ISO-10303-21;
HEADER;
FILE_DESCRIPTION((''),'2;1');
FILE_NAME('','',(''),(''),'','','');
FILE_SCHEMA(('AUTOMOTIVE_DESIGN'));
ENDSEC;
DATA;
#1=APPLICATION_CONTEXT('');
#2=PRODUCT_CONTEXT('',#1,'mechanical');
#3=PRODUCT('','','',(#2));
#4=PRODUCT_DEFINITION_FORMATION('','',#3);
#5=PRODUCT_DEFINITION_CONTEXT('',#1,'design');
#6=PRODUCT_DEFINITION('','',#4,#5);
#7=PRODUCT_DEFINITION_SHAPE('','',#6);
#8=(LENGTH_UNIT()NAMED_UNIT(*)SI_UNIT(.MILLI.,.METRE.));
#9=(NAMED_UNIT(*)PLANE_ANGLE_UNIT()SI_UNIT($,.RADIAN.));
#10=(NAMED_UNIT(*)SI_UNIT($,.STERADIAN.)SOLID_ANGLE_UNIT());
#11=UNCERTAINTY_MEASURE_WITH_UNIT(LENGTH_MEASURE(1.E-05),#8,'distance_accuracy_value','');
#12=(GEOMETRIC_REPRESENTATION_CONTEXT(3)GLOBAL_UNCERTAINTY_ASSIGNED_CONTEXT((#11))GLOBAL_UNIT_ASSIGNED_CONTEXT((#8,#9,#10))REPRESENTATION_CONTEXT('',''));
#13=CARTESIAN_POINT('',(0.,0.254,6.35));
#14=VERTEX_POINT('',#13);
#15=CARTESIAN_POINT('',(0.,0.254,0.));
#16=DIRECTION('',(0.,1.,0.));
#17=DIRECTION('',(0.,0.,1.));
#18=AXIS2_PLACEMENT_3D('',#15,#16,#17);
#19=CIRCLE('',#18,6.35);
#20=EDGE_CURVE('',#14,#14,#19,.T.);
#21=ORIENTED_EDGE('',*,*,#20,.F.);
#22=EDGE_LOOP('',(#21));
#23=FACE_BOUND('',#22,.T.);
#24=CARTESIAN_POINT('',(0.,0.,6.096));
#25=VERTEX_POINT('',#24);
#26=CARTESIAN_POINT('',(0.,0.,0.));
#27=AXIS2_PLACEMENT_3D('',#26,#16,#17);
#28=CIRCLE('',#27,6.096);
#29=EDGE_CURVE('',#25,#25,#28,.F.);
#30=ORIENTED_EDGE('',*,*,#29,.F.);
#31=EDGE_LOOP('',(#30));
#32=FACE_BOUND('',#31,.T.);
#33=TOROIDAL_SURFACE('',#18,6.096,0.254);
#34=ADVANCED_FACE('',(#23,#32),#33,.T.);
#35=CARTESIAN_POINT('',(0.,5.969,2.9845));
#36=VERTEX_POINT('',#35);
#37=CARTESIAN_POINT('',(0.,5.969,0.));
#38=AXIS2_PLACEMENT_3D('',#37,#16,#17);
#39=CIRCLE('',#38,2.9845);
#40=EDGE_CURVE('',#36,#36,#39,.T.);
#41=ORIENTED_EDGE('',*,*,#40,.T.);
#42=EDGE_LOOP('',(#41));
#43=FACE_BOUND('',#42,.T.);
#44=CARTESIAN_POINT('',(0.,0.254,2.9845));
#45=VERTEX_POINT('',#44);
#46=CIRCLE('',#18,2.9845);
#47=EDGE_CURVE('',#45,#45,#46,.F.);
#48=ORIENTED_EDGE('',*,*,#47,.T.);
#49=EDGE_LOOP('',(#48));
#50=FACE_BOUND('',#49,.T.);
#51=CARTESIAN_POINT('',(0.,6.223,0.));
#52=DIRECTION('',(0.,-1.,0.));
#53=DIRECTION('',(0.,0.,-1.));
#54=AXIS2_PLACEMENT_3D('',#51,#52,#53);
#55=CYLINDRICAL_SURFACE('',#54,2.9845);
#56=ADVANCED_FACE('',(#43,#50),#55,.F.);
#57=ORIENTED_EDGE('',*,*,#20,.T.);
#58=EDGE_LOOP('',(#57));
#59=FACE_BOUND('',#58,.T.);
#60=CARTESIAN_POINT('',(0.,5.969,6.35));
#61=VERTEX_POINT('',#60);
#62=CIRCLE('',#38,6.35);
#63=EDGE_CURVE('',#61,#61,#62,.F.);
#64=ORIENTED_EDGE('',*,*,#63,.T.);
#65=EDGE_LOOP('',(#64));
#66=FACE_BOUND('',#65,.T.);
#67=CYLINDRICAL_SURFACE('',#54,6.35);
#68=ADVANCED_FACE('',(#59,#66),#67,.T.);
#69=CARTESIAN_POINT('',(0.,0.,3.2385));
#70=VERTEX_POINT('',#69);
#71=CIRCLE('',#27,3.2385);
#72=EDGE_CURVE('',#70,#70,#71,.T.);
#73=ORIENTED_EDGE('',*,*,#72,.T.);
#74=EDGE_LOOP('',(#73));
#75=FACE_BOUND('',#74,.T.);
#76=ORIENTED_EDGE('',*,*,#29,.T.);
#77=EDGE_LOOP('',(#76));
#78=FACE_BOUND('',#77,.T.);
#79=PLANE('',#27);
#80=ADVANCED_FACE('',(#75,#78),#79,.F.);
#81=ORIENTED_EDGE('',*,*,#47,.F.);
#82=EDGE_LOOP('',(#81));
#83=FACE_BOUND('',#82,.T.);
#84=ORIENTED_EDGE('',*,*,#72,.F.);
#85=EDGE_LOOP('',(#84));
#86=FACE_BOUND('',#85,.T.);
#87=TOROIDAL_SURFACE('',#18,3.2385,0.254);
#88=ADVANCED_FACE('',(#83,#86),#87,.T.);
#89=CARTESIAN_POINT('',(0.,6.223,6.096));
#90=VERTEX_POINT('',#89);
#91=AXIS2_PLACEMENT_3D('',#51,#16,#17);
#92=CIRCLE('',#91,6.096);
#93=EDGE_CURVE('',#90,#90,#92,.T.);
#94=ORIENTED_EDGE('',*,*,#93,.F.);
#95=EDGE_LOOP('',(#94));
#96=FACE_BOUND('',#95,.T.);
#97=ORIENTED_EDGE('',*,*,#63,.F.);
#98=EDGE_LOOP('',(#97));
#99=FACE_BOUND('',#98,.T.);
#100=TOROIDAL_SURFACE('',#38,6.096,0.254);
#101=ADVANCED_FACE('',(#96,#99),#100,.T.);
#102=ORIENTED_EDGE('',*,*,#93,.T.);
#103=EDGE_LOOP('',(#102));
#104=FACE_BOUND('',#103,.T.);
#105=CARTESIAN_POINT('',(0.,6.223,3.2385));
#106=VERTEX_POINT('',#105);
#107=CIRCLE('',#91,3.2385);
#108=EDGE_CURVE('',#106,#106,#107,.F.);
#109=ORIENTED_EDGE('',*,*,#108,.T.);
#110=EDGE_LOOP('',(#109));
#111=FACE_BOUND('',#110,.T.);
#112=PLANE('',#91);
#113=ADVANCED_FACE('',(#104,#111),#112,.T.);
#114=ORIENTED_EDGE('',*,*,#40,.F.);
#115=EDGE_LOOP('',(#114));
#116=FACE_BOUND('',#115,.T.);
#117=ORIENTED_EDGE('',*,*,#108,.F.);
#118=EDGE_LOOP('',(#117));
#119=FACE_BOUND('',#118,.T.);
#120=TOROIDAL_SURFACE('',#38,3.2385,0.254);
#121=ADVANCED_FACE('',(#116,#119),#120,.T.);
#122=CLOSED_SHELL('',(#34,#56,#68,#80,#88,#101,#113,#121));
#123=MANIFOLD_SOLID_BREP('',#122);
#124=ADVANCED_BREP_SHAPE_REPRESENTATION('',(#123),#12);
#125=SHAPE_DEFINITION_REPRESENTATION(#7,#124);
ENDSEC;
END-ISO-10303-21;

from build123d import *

# Parameters (mm, degrees)
SKETCH1_R           = 6.35
SKETCH1_R_2         = 2.9845
BOSS_EXTRUDE1_DEPTH = 6.223
FILLET1_R           = 0.254


with BuildPart() as part:
    # Sketch1 → Boss-Extrude1 (new body)
    with BuildSketch(Plane(origin=(0, 0, 0), x_dir=(1, 0, 0), z_dir=(0, 1, 0))):
        Circle(SKETCH1_R)
        Circle(SKETCH1_R_2, mode=Mode.SUBTRACT)
    extrude(amount=BOSS_EXTRUDE1_DEPTH)

    # Fillet1
    fillet1_edges = [part.edges().sort_by_distance(p)[0] for p in [
        (-6.35, 0, 0),
        (-6.35, 6.223, 0),
        (-2.9845, 0, 0),
        (-2.9845, 6.223, 0),
    ]]
    fillet(fillet1_edges, radius=FILLET1_R)


solid = part.part
